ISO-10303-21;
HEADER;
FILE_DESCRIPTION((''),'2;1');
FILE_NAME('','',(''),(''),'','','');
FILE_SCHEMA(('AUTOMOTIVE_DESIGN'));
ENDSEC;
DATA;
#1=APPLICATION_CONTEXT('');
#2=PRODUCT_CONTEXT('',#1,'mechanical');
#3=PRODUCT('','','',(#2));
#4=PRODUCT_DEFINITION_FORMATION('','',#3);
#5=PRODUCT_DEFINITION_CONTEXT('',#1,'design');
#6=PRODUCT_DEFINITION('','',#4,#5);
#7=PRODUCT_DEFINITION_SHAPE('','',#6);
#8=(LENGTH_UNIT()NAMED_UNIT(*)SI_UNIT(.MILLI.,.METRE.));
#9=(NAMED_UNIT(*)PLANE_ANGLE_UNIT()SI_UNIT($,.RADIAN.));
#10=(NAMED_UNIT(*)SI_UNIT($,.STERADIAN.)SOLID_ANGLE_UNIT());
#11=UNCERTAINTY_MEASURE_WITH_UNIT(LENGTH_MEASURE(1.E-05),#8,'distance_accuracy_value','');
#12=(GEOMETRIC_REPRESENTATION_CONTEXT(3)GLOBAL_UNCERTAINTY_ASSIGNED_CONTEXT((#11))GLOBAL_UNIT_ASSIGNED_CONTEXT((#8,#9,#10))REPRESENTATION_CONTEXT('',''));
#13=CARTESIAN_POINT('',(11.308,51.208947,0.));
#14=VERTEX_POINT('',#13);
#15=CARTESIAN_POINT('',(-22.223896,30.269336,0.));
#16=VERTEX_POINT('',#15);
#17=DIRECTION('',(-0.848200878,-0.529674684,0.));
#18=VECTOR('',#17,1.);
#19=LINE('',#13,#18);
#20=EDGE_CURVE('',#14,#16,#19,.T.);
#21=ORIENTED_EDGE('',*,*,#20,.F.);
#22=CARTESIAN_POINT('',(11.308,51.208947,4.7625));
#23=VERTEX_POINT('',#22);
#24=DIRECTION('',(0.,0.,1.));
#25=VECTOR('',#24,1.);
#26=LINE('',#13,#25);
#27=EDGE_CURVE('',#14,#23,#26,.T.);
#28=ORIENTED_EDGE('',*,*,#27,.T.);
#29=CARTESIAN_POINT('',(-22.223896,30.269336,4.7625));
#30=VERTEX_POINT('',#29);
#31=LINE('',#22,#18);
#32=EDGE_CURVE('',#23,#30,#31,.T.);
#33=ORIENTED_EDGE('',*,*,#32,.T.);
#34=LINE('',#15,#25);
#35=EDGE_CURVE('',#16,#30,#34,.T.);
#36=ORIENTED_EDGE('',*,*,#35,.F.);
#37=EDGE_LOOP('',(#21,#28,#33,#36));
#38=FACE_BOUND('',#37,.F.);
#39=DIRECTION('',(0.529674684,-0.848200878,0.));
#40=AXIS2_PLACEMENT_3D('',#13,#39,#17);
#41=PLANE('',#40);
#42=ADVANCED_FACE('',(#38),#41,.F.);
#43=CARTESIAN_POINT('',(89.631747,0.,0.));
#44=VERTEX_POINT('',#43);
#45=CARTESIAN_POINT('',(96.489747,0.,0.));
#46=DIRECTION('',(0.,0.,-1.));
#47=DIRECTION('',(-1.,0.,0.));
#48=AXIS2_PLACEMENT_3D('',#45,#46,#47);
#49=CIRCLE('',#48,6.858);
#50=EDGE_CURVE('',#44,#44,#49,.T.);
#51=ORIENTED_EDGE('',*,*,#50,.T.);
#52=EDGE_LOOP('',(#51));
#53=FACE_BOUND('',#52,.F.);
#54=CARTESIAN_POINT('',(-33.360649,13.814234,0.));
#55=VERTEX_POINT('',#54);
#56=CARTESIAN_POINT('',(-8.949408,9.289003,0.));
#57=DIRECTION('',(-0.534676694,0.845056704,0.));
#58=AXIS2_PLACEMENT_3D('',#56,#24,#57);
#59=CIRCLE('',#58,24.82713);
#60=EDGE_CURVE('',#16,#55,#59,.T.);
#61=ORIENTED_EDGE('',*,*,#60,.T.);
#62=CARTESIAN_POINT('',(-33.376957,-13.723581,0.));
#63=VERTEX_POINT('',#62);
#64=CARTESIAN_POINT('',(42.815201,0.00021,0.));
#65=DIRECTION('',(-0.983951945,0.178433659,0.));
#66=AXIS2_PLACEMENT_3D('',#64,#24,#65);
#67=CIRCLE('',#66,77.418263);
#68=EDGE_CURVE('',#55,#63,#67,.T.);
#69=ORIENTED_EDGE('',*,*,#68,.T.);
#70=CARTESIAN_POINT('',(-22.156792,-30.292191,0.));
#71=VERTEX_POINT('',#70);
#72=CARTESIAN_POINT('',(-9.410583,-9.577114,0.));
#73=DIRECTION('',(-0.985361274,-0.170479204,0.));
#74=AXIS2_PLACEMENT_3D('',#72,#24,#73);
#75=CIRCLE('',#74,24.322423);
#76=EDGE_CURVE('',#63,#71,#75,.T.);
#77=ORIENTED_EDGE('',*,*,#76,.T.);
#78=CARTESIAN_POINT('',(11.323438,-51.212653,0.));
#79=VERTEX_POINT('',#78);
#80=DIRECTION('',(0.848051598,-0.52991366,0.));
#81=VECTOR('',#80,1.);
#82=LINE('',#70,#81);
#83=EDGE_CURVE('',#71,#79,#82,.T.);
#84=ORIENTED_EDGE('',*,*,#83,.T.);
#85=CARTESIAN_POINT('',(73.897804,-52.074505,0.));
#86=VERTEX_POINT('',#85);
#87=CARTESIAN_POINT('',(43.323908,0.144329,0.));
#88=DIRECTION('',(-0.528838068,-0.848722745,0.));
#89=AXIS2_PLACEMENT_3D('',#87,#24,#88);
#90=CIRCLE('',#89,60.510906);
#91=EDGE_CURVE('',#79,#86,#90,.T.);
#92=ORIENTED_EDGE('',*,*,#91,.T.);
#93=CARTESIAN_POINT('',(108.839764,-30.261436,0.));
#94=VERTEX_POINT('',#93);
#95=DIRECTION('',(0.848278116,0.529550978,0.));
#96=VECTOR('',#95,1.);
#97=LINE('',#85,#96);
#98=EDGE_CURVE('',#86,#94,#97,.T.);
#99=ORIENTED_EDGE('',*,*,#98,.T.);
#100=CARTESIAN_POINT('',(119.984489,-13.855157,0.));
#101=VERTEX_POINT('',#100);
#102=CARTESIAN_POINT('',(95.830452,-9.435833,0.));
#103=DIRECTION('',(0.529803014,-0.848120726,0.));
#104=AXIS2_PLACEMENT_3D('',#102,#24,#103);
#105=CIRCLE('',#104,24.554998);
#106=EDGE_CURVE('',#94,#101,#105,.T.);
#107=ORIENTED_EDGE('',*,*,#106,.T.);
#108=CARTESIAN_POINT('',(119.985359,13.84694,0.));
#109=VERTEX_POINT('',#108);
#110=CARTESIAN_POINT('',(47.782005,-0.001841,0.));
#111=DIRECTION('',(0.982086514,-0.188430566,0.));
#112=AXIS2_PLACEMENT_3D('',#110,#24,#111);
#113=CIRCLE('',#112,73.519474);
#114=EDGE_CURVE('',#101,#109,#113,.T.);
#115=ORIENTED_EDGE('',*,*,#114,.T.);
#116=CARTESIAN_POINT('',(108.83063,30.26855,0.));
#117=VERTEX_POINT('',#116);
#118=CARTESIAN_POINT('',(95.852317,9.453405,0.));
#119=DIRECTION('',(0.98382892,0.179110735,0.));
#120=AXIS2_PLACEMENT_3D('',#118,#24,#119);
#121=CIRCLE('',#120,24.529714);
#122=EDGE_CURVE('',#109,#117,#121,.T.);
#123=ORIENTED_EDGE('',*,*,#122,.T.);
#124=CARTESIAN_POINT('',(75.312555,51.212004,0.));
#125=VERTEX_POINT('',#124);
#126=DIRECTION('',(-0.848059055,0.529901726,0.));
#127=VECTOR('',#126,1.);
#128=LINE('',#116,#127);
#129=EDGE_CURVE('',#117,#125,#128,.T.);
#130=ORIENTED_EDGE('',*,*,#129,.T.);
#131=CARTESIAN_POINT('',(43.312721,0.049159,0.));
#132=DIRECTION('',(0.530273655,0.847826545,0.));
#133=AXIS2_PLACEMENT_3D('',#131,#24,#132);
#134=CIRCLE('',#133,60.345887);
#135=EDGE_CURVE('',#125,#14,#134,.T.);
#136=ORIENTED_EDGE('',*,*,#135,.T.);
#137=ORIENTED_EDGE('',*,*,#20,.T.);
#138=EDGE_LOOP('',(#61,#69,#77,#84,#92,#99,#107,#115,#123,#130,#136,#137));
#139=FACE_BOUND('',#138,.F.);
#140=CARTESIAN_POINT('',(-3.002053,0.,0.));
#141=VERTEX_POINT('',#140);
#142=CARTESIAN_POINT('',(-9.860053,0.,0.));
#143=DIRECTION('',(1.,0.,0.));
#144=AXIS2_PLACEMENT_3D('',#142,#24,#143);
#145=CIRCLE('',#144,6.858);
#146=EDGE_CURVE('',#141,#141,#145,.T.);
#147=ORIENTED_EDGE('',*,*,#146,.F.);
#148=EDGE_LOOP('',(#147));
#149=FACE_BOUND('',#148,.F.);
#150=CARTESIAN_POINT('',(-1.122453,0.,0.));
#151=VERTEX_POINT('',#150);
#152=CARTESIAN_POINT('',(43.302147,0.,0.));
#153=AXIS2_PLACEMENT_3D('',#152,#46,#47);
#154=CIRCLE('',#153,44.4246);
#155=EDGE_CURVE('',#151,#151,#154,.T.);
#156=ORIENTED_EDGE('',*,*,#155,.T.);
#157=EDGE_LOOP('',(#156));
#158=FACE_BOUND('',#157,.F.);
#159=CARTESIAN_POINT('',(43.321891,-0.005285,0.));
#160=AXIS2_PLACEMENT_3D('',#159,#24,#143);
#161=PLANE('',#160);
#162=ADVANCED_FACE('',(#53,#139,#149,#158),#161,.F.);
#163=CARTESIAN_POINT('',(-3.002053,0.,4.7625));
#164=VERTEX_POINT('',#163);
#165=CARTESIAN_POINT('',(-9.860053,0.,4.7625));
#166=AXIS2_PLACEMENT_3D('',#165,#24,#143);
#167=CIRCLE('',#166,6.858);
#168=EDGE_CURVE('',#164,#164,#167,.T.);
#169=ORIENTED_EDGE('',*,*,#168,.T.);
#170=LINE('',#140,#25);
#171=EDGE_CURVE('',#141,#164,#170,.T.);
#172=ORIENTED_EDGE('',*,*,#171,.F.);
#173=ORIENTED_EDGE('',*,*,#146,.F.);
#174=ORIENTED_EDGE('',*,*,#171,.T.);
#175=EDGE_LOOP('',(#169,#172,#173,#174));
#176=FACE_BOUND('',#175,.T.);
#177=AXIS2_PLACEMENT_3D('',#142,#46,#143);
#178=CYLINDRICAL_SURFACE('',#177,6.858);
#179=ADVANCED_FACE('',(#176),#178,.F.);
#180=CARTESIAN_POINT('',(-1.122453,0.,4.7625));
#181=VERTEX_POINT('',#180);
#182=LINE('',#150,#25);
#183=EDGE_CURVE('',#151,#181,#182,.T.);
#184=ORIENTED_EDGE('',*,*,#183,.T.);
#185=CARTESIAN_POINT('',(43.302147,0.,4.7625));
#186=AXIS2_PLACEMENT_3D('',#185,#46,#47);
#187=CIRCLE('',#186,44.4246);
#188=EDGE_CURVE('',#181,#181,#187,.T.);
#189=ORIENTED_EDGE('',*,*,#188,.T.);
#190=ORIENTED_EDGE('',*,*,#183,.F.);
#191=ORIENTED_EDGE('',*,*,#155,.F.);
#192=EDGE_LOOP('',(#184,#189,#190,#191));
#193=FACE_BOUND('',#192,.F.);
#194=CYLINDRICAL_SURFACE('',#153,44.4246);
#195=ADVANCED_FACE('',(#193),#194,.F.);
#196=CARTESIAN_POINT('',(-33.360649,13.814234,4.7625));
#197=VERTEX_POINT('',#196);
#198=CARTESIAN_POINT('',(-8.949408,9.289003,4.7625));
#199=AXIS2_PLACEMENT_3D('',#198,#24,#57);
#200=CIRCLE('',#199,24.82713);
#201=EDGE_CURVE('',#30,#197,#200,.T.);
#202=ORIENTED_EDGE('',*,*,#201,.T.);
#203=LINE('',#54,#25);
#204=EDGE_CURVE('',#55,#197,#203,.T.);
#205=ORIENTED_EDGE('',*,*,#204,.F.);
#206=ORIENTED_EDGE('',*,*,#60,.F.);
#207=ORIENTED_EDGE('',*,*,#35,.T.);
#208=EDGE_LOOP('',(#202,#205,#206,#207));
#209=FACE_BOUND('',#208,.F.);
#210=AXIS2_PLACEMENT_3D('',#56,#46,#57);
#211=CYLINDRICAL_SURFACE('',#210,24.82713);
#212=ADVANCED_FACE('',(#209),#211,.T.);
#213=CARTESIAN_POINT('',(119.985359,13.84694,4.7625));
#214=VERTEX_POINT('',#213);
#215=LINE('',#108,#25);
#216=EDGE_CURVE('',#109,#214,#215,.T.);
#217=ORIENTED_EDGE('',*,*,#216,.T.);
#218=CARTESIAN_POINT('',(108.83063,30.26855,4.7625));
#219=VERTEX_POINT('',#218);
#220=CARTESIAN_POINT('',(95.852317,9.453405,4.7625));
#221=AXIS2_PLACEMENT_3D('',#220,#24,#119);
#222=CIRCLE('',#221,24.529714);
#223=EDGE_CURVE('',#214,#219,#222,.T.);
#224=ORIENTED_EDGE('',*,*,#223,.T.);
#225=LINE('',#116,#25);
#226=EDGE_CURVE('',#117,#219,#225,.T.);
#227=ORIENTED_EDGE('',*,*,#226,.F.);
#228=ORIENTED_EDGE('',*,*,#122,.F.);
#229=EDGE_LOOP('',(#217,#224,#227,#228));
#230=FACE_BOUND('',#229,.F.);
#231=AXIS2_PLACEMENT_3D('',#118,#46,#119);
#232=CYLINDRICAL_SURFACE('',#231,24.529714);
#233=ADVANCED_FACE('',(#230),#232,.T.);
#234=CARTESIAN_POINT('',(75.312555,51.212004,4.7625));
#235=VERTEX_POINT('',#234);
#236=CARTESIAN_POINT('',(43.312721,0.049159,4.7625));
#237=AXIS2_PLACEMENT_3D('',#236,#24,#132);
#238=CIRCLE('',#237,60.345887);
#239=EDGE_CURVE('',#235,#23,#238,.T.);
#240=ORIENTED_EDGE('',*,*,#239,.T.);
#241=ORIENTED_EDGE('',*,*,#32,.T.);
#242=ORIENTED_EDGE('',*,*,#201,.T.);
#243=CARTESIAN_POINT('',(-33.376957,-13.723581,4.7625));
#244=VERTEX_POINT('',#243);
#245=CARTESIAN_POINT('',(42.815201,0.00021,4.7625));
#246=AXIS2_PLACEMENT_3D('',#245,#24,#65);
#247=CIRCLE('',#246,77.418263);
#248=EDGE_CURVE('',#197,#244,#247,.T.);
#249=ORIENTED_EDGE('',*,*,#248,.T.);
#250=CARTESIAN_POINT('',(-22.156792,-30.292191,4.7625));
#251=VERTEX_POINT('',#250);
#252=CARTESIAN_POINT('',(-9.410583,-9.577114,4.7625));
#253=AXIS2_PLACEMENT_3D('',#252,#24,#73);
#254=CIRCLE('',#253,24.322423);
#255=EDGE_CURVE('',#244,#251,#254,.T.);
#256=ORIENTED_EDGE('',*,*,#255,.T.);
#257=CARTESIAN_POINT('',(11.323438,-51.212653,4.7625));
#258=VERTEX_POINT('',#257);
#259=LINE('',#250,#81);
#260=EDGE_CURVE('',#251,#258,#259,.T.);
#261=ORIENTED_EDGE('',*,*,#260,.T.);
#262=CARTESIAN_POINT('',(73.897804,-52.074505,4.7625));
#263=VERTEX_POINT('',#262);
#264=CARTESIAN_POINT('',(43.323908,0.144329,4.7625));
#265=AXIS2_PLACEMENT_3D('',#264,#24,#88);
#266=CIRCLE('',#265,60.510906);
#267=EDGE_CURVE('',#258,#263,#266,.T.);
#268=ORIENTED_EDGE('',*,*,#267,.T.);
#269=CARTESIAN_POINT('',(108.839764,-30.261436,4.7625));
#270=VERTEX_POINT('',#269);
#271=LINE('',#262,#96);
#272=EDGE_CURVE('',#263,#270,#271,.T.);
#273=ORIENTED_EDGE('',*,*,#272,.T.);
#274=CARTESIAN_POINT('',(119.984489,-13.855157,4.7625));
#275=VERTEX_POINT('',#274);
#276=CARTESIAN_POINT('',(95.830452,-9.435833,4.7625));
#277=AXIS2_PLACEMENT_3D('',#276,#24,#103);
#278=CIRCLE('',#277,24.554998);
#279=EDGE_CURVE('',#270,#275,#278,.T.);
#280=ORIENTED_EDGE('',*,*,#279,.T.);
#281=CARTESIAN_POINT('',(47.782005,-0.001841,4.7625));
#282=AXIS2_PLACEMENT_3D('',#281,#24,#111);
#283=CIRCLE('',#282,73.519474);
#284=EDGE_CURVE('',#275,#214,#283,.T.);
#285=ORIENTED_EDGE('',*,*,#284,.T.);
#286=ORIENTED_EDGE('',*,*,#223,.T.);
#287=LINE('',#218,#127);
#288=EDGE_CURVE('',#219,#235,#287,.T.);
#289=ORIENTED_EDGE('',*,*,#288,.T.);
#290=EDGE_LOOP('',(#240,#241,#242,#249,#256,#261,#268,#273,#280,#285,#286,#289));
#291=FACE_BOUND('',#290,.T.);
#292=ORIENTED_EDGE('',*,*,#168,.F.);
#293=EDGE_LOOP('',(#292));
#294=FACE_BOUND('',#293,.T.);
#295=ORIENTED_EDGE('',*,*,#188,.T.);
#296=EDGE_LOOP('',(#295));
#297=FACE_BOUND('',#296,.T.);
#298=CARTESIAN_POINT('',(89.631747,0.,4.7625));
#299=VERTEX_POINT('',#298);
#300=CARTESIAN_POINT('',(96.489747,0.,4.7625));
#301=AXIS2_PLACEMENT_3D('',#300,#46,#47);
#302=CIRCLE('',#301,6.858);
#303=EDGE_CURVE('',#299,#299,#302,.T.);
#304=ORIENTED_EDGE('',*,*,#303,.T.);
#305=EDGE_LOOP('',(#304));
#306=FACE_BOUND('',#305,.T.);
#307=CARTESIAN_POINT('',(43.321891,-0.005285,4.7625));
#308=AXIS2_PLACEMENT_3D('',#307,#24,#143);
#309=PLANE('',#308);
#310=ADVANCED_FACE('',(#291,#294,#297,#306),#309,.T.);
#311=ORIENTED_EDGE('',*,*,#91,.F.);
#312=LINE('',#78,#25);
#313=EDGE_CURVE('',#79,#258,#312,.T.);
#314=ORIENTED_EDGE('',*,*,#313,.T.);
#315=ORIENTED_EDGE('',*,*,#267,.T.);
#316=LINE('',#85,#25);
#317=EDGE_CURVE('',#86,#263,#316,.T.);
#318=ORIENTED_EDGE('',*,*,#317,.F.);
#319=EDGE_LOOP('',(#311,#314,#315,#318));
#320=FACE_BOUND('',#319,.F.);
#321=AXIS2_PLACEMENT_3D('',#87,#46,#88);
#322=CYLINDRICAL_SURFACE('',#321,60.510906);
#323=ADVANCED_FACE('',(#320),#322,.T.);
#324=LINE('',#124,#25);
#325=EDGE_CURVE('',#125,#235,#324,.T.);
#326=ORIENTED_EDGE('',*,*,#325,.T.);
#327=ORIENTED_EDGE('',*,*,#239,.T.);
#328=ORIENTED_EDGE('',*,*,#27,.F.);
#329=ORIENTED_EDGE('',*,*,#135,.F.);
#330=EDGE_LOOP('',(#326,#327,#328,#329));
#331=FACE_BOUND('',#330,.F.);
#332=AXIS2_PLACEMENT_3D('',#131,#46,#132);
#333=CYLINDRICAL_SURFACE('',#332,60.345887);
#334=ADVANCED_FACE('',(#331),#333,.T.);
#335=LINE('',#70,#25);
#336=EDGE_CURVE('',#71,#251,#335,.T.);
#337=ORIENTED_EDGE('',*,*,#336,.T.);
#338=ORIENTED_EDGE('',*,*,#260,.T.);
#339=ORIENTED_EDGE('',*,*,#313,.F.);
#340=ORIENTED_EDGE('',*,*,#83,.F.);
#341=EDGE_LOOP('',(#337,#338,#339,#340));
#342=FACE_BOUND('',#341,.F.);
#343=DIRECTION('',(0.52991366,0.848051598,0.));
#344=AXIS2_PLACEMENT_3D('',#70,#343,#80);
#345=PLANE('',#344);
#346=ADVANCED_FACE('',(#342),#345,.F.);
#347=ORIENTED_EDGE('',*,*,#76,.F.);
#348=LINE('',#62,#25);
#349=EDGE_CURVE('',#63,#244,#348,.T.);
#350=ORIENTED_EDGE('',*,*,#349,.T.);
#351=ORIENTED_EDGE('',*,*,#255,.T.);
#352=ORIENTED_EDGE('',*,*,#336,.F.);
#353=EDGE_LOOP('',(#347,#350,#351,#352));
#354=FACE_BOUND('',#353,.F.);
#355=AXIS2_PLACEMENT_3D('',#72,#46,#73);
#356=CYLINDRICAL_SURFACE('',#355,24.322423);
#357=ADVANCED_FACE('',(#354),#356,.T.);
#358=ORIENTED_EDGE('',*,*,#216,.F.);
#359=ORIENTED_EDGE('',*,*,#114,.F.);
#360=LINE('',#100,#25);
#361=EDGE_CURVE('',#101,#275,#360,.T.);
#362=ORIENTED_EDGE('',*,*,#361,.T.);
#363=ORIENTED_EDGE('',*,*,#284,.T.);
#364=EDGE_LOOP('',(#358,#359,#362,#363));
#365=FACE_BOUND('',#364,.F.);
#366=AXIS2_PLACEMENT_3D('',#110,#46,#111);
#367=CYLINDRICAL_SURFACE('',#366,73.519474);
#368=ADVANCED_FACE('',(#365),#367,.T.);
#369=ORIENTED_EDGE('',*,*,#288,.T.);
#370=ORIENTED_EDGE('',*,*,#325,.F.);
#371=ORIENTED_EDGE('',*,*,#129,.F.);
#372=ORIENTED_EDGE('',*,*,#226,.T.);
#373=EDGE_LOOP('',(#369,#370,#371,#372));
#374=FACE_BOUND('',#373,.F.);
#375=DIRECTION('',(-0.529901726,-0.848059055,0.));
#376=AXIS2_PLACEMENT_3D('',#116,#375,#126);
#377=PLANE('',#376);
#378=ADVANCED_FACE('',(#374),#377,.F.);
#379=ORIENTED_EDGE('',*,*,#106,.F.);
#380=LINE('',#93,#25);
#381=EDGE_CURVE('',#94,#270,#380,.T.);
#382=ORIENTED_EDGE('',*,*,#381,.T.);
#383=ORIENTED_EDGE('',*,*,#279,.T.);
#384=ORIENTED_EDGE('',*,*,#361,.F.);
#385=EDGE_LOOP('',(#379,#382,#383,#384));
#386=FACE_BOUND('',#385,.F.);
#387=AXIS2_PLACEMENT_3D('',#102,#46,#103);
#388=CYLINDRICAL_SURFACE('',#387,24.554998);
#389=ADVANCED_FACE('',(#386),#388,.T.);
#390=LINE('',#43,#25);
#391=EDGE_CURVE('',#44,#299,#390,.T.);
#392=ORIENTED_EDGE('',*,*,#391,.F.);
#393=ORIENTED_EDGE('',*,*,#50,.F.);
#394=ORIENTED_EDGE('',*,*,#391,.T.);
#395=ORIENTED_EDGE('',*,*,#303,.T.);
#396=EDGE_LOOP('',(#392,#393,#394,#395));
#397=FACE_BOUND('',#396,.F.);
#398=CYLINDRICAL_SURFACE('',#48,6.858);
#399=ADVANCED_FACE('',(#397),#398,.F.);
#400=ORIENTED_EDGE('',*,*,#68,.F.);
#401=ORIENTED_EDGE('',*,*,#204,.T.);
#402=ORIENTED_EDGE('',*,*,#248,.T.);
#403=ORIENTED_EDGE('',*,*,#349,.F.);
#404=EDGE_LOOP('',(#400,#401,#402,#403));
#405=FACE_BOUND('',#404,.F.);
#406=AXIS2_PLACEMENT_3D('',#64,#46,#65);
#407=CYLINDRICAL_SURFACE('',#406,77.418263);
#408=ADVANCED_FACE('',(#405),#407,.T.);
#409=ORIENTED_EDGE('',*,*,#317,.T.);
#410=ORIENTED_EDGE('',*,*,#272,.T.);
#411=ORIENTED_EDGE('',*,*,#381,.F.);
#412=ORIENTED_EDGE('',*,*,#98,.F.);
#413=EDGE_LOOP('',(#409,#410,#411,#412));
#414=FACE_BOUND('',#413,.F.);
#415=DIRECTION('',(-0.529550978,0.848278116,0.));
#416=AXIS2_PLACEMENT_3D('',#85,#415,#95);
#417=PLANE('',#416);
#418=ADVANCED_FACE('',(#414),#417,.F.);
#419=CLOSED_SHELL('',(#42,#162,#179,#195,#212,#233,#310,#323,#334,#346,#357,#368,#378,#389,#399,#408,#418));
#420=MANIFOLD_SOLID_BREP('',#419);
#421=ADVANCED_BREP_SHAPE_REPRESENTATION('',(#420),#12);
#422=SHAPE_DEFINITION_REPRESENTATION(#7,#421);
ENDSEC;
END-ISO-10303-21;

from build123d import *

# Parameters (mm, degrees)
F0_R     = 6.858
F1_DEPTH = 4.7625


with BuildPart() as f1:
    # F0 (on Top) → F1 (new body)
    with BuildSketch(Plane.XY):
        with BuildLine():
            ThreePointArc((-33.360649, 13.814234), (-34.603048, 0.046057), (-33.376957, -13.723581))
            ThreePointArc((-33.376957, -13.723581), (-29.549678, -23.21519), (-22.156792, -30.292191))
            Line((-22.156792, -30.292191), (11.323438, -51.212653))
            ThreePointArc((11.323438, -51.212653), (42.490556, -60.360838), (73.897804, -52.074505))
            Line((73.897804, -52.074505), (108.839764, -30.261436))
            ThreePointArc((108.839764, -30.261436), (116.142274, -23.23358), (119.984489, -13.855157))
            ThreePointArc((119.984489, -13.855157), (121.301479, -0.00415), (119.985359, 13.84694))
            ThreePointArc((119.985359, 13.84694), (116.14346, 23.236597), (108.83063, 30.26855))
            Line((108.83063, 30.26855), (75.312555, 51.212004))
            ThreePointArc((75.312555, 51.212004), (43.309839, 60.395046), (11.308, 51.208947))
            Line((11.308, 51.208947), (-22.223896, 30.269336))
            ThreePointArc((-22.223896, 30.269336), (-29.510199, 23.204472), (-33.360649, 13.814234))
        make_face()
        with Locations((-9.860053, 0)):
            Circle(F0_R, mode=Mode.SUBTRACT)
        with BuildLine():
            ThreePointArc((87.726747, 0), (43.302147, -44.4246), (-1.122453, 0))
            ThreePointArc((-1.122453, 0), (43.302147, 44.4246), (87.726747, 0))
        make_face(mode=Mode.SUBTRACT)
        with BuildLine():
            ThreePointArc((103.347747, 0), (96.489747, -6.858), (89.631747, 0))
            ThreePointArc((89.631747, 0), (96.489747, 6.858), (103.347747, 0))
        make_face(mode=Mode.SUBTRACT)
    extrude(amount=F1_DEPTH)


solid = f1.part
